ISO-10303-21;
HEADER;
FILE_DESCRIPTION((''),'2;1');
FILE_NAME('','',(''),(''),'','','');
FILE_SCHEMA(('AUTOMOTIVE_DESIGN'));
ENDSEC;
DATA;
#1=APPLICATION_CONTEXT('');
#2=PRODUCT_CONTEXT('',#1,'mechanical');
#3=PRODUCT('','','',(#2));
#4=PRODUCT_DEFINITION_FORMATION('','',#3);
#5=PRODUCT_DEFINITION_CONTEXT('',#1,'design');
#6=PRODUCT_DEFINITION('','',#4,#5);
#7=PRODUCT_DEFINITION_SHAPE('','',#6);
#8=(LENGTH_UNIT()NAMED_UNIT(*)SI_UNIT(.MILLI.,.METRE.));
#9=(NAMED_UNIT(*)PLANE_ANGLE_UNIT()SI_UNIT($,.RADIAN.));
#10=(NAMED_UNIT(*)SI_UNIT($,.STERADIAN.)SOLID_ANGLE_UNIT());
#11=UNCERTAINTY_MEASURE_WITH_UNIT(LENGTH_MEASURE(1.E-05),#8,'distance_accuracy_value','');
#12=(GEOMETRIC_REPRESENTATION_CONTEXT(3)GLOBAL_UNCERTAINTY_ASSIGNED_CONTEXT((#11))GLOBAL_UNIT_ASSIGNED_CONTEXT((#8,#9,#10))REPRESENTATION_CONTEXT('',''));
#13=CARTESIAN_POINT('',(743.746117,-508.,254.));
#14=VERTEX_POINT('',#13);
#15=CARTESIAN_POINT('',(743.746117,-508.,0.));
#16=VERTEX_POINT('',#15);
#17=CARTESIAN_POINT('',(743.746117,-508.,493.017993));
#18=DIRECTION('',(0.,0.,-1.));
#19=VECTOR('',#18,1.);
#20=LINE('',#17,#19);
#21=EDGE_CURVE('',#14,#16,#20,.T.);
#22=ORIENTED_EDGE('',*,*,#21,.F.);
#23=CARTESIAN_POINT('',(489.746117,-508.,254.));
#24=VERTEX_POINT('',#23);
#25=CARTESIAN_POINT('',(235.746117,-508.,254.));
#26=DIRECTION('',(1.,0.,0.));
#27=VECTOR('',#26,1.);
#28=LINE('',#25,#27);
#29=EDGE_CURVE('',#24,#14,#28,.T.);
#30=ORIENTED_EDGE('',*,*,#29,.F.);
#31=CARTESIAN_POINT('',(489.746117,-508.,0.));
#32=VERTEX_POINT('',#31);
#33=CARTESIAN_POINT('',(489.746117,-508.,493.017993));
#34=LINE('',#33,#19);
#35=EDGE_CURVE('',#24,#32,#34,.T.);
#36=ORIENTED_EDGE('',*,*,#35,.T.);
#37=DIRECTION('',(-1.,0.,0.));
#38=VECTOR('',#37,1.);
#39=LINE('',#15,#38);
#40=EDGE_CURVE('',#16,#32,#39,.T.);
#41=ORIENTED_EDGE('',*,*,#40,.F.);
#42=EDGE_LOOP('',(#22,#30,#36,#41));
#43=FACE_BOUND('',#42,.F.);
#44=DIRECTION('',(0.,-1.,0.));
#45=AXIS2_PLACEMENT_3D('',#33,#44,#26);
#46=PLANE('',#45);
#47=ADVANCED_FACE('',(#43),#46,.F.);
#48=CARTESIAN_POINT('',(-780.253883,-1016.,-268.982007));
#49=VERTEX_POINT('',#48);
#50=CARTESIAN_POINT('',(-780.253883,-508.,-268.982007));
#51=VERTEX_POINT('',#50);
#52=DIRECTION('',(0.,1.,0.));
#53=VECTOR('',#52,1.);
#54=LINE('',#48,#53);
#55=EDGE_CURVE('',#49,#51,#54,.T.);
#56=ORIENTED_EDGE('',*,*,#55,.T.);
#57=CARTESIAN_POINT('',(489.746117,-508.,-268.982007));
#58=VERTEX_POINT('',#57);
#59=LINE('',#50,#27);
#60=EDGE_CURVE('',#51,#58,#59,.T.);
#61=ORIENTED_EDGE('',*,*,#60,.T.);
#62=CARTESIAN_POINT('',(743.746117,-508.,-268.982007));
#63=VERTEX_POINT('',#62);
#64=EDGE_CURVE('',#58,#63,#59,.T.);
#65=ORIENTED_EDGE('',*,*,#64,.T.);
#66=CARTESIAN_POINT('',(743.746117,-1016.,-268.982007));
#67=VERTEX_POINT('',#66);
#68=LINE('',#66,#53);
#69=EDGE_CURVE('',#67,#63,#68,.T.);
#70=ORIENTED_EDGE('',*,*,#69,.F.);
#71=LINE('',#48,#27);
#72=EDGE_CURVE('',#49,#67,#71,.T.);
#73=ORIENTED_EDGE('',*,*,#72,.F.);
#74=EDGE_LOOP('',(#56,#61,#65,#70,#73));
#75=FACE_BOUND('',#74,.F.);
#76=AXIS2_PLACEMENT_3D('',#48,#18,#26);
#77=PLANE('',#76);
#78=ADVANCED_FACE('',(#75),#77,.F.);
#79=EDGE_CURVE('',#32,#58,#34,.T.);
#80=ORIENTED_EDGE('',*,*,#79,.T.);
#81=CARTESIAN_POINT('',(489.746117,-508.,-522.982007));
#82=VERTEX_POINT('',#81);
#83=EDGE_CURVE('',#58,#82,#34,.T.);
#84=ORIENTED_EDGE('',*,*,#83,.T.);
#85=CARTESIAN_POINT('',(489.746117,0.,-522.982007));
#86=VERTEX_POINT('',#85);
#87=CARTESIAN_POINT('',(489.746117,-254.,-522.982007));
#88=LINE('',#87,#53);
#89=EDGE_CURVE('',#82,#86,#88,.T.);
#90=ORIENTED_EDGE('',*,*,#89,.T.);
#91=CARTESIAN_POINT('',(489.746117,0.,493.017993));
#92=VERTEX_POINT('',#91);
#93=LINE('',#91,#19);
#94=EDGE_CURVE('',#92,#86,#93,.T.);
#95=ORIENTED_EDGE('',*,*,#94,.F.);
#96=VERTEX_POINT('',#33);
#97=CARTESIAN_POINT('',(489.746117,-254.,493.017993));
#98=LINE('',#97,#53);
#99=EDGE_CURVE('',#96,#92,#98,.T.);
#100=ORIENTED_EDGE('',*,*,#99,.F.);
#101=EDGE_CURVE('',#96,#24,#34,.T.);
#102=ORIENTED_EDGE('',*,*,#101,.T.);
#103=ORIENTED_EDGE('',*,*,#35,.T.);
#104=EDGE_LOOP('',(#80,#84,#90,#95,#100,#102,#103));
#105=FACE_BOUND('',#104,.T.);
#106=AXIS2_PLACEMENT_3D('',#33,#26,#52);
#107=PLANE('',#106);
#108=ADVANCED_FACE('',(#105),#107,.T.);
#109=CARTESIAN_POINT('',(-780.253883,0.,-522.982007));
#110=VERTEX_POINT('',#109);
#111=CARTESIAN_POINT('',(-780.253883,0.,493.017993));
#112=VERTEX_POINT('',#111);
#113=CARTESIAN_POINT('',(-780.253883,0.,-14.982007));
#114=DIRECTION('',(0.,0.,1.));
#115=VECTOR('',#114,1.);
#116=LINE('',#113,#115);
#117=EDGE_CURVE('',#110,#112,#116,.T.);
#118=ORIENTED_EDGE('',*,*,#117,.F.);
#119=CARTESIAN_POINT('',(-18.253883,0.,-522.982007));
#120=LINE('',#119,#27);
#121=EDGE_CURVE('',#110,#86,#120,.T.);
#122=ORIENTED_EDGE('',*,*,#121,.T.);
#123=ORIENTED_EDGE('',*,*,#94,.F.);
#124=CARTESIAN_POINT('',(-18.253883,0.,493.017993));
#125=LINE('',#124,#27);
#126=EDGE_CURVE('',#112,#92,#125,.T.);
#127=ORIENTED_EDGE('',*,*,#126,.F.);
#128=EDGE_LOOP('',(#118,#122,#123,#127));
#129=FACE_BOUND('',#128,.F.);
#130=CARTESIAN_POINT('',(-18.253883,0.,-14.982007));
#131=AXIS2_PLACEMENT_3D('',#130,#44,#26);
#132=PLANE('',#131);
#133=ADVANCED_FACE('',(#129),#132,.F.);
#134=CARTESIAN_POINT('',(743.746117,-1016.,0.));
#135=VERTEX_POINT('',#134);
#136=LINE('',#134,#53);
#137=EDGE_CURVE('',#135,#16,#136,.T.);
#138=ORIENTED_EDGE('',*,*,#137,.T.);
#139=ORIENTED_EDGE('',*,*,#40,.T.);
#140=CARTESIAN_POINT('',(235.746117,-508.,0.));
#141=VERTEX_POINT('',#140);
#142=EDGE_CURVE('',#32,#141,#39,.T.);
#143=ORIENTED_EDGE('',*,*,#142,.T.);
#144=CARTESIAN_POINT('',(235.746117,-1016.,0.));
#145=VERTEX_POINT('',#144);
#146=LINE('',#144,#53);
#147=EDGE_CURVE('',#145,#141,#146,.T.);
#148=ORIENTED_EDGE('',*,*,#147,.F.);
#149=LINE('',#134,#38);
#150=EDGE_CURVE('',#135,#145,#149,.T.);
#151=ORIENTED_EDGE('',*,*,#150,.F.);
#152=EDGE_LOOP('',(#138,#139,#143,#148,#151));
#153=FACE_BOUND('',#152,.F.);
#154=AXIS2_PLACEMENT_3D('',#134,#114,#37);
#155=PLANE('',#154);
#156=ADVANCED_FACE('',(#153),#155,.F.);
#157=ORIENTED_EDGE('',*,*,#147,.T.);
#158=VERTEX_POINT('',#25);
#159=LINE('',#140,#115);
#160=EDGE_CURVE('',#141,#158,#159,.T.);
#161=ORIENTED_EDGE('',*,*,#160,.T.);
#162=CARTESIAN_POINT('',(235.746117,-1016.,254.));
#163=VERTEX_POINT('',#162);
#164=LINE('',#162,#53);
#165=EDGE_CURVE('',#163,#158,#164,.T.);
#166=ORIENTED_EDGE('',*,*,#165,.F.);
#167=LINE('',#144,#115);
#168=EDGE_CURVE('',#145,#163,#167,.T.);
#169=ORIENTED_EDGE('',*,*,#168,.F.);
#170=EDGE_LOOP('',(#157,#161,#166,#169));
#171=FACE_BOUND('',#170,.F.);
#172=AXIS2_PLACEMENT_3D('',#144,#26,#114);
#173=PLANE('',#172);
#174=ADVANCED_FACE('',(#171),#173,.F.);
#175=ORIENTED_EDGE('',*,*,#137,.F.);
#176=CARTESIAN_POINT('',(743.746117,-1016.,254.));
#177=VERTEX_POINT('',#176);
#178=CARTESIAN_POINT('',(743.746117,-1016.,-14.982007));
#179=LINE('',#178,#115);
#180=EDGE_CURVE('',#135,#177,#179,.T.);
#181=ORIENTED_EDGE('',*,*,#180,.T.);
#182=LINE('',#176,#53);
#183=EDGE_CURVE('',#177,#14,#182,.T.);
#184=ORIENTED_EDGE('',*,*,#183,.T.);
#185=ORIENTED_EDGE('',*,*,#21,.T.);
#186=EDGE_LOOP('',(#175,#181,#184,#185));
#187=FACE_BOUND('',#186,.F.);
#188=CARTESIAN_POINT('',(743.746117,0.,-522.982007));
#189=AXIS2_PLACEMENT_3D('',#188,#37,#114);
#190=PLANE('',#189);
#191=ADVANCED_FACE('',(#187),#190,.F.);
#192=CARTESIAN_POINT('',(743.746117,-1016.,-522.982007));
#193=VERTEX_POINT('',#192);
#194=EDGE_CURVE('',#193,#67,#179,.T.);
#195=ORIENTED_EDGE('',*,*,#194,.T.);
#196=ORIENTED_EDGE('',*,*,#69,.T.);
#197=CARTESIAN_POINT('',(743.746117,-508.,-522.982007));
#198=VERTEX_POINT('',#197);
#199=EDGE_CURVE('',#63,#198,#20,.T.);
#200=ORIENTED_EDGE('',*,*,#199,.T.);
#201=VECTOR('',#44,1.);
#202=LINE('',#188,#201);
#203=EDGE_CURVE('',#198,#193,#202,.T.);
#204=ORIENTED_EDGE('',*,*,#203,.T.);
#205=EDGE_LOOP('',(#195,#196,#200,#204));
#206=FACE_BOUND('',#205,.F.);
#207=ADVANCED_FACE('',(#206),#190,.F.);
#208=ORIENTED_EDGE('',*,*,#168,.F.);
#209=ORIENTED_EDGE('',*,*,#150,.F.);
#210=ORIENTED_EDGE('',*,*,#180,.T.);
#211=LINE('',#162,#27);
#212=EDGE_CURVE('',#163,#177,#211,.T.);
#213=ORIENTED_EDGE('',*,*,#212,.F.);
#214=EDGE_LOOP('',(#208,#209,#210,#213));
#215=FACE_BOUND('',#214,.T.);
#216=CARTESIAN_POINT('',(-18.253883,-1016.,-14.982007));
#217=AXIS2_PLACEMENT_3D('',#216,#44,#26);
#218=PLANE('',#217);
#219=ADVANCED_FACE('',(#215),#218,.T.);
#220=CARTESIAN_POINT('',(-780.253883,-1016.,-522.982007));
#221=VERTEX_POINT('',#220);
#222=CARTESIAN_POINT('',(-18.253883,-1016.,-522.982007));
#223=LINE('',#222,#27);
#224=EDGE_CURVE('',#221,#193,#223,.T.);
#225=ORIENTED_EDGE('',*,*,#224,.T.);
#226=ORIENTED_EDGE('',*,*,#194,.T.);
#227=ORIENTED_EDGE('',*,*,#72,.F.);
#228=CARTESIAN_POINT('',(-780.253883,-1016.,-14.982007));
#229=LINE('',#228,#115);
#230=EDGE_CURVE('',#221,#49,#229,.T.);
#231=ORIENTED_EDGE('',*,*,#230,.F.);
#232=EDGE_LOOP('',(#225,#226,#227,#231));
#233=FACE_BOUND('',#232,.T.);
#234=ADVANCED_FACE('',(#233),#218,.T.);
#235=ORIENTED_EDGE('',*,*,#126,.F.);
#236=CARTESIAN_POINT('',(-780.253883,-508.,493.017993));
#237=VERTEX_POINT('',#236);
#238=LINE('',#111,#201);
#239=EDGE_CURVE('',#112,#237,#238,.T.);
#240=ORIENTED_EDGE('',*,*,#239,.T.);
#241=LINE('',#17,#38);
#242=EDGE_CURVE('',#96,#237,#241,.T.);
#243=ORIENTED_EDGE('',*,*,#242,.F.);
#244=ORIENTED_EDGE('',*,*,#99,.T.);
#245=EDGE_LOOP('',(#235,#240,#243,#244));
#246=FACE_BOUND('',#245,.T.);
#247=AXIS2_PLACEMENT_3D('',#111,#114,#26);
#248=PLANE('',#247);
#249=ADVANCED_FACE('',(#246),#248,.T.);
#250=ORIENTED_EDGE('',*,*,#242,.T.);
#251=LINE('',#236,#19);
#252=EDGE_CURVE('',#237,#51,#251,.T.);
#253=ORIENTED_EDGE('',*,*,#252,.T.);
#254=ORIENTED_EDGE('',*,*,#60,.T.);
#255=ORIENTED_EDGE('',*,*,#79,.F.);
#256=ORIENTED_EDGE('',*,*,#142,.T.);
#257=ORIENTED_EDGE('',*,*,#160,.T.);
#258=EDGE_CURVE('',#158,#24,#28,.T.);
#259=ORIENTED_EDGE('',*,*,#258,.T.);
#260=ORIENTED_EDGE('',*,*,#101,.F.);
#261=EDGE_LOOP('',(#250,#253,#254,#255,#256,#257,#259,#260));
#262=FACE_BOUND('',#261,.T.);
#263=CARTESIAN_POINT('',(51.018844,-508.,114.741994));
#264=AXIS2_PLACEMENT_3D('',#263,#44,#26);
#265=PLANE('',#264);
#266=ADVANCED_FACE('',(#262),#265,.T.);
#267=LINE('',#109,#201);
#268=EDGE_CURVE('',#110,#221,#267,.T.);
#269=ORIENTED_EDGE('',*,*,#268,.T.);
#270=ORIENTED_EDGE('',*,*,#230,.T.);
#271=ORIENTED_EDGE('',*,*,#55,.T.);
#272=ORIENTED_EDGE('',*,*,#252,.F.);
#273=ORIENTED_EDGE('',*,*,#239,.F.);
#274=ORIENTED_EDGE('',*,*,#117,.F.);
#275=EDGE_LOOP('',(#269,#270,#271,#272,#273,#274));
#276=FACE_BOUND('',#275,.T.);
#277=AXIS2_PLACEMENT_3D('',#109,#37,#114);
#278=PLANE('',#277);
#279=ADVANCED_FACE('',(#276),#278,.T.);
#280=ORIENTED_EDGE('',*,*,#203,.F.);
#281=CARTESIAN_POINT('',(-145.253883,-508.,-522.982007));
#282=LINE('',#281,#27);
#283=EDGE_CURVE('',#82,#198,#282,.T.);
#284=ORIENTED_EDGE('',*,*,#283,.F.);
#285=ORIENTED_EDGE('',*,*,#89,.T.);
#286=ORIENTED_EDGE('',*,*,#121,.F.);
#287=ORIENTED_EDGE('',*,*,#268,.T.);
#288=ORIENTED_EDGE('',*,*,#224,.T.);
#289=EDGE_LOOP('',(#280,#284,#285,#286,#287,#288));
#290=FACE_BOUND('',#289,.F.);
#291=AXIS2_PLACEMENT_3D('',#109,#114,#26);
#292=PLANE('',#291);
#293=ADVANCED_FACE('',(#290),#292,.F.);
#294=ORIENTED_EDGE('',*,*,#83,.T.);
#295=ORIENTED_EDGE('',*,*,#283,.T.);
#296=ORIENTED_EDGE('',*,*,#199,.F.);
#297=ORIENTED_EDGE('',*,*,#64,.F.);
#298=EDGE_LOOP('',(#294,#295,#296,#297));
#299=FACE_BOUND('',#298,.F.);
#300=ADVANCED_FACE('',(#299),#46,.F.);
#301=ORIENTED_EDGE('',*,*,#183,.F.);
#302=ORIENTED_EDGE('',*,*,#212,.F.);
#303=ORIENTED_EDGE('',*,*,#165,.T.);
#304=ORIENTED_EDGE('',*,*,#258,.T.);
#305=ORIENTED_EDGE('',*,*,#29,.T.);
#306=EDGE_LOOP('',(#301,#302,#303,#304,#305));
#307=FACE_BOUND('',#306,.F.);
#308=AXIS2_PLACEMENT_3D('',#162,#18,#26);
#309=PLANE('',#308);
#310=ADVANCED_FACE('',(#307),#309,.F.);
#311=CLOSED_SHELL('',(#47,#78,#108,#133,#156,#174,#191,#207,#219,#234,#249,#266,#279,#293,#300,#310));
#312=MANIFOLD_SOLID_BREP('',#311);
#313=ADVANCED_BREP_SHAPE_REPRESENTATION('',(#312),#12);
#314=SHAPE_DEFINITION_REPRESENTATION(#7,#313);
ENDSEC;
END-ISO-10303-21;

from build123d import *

# Parameters (mm, degrees)
F0_W     = 1524
F0_H     = 1016
F1_DEPTH = 1016
F2_W     = 254
F2_H     = 508
F3_DEPTH = 1524
F5_DEPTH = 508


with BuildPart() as f1:
    # F0 (on Front) → F1 (new body)
    with BuildSketch(Plane.XZ):
        with Locations((-18.253883, -14.982007)):
            Rectangle(F0_W, F0_H)
    extrude(amount=F1_DEPTH)

    # F2 (on face) → F3 (cut)
    with BuildSketch(Plane.XY.offset(493.017993)):
        with Locations((616.746117, -254)):
            Rectangle(F2_W, F2_H)
    extrude(amount=-F3_DEPTH, mode=Mode.SUBTRACT)

    # F4 (on face) → F5 (cut)
    with BuildSketch(Plane.XZ.offset(1016)):
        Polygon((743.746117, 493.017993), (-780.253883, 493.017993), (-780.253883, -268.982007), (743.746117, -268.982007), (743.746117, 0), (235.746117, 0), (235.746117, 254), (743.746117, 254), align=None)
    extrude(amount=-F5_DEPTH, mode=Mode.SUBTRACT)


solid = f1.part
